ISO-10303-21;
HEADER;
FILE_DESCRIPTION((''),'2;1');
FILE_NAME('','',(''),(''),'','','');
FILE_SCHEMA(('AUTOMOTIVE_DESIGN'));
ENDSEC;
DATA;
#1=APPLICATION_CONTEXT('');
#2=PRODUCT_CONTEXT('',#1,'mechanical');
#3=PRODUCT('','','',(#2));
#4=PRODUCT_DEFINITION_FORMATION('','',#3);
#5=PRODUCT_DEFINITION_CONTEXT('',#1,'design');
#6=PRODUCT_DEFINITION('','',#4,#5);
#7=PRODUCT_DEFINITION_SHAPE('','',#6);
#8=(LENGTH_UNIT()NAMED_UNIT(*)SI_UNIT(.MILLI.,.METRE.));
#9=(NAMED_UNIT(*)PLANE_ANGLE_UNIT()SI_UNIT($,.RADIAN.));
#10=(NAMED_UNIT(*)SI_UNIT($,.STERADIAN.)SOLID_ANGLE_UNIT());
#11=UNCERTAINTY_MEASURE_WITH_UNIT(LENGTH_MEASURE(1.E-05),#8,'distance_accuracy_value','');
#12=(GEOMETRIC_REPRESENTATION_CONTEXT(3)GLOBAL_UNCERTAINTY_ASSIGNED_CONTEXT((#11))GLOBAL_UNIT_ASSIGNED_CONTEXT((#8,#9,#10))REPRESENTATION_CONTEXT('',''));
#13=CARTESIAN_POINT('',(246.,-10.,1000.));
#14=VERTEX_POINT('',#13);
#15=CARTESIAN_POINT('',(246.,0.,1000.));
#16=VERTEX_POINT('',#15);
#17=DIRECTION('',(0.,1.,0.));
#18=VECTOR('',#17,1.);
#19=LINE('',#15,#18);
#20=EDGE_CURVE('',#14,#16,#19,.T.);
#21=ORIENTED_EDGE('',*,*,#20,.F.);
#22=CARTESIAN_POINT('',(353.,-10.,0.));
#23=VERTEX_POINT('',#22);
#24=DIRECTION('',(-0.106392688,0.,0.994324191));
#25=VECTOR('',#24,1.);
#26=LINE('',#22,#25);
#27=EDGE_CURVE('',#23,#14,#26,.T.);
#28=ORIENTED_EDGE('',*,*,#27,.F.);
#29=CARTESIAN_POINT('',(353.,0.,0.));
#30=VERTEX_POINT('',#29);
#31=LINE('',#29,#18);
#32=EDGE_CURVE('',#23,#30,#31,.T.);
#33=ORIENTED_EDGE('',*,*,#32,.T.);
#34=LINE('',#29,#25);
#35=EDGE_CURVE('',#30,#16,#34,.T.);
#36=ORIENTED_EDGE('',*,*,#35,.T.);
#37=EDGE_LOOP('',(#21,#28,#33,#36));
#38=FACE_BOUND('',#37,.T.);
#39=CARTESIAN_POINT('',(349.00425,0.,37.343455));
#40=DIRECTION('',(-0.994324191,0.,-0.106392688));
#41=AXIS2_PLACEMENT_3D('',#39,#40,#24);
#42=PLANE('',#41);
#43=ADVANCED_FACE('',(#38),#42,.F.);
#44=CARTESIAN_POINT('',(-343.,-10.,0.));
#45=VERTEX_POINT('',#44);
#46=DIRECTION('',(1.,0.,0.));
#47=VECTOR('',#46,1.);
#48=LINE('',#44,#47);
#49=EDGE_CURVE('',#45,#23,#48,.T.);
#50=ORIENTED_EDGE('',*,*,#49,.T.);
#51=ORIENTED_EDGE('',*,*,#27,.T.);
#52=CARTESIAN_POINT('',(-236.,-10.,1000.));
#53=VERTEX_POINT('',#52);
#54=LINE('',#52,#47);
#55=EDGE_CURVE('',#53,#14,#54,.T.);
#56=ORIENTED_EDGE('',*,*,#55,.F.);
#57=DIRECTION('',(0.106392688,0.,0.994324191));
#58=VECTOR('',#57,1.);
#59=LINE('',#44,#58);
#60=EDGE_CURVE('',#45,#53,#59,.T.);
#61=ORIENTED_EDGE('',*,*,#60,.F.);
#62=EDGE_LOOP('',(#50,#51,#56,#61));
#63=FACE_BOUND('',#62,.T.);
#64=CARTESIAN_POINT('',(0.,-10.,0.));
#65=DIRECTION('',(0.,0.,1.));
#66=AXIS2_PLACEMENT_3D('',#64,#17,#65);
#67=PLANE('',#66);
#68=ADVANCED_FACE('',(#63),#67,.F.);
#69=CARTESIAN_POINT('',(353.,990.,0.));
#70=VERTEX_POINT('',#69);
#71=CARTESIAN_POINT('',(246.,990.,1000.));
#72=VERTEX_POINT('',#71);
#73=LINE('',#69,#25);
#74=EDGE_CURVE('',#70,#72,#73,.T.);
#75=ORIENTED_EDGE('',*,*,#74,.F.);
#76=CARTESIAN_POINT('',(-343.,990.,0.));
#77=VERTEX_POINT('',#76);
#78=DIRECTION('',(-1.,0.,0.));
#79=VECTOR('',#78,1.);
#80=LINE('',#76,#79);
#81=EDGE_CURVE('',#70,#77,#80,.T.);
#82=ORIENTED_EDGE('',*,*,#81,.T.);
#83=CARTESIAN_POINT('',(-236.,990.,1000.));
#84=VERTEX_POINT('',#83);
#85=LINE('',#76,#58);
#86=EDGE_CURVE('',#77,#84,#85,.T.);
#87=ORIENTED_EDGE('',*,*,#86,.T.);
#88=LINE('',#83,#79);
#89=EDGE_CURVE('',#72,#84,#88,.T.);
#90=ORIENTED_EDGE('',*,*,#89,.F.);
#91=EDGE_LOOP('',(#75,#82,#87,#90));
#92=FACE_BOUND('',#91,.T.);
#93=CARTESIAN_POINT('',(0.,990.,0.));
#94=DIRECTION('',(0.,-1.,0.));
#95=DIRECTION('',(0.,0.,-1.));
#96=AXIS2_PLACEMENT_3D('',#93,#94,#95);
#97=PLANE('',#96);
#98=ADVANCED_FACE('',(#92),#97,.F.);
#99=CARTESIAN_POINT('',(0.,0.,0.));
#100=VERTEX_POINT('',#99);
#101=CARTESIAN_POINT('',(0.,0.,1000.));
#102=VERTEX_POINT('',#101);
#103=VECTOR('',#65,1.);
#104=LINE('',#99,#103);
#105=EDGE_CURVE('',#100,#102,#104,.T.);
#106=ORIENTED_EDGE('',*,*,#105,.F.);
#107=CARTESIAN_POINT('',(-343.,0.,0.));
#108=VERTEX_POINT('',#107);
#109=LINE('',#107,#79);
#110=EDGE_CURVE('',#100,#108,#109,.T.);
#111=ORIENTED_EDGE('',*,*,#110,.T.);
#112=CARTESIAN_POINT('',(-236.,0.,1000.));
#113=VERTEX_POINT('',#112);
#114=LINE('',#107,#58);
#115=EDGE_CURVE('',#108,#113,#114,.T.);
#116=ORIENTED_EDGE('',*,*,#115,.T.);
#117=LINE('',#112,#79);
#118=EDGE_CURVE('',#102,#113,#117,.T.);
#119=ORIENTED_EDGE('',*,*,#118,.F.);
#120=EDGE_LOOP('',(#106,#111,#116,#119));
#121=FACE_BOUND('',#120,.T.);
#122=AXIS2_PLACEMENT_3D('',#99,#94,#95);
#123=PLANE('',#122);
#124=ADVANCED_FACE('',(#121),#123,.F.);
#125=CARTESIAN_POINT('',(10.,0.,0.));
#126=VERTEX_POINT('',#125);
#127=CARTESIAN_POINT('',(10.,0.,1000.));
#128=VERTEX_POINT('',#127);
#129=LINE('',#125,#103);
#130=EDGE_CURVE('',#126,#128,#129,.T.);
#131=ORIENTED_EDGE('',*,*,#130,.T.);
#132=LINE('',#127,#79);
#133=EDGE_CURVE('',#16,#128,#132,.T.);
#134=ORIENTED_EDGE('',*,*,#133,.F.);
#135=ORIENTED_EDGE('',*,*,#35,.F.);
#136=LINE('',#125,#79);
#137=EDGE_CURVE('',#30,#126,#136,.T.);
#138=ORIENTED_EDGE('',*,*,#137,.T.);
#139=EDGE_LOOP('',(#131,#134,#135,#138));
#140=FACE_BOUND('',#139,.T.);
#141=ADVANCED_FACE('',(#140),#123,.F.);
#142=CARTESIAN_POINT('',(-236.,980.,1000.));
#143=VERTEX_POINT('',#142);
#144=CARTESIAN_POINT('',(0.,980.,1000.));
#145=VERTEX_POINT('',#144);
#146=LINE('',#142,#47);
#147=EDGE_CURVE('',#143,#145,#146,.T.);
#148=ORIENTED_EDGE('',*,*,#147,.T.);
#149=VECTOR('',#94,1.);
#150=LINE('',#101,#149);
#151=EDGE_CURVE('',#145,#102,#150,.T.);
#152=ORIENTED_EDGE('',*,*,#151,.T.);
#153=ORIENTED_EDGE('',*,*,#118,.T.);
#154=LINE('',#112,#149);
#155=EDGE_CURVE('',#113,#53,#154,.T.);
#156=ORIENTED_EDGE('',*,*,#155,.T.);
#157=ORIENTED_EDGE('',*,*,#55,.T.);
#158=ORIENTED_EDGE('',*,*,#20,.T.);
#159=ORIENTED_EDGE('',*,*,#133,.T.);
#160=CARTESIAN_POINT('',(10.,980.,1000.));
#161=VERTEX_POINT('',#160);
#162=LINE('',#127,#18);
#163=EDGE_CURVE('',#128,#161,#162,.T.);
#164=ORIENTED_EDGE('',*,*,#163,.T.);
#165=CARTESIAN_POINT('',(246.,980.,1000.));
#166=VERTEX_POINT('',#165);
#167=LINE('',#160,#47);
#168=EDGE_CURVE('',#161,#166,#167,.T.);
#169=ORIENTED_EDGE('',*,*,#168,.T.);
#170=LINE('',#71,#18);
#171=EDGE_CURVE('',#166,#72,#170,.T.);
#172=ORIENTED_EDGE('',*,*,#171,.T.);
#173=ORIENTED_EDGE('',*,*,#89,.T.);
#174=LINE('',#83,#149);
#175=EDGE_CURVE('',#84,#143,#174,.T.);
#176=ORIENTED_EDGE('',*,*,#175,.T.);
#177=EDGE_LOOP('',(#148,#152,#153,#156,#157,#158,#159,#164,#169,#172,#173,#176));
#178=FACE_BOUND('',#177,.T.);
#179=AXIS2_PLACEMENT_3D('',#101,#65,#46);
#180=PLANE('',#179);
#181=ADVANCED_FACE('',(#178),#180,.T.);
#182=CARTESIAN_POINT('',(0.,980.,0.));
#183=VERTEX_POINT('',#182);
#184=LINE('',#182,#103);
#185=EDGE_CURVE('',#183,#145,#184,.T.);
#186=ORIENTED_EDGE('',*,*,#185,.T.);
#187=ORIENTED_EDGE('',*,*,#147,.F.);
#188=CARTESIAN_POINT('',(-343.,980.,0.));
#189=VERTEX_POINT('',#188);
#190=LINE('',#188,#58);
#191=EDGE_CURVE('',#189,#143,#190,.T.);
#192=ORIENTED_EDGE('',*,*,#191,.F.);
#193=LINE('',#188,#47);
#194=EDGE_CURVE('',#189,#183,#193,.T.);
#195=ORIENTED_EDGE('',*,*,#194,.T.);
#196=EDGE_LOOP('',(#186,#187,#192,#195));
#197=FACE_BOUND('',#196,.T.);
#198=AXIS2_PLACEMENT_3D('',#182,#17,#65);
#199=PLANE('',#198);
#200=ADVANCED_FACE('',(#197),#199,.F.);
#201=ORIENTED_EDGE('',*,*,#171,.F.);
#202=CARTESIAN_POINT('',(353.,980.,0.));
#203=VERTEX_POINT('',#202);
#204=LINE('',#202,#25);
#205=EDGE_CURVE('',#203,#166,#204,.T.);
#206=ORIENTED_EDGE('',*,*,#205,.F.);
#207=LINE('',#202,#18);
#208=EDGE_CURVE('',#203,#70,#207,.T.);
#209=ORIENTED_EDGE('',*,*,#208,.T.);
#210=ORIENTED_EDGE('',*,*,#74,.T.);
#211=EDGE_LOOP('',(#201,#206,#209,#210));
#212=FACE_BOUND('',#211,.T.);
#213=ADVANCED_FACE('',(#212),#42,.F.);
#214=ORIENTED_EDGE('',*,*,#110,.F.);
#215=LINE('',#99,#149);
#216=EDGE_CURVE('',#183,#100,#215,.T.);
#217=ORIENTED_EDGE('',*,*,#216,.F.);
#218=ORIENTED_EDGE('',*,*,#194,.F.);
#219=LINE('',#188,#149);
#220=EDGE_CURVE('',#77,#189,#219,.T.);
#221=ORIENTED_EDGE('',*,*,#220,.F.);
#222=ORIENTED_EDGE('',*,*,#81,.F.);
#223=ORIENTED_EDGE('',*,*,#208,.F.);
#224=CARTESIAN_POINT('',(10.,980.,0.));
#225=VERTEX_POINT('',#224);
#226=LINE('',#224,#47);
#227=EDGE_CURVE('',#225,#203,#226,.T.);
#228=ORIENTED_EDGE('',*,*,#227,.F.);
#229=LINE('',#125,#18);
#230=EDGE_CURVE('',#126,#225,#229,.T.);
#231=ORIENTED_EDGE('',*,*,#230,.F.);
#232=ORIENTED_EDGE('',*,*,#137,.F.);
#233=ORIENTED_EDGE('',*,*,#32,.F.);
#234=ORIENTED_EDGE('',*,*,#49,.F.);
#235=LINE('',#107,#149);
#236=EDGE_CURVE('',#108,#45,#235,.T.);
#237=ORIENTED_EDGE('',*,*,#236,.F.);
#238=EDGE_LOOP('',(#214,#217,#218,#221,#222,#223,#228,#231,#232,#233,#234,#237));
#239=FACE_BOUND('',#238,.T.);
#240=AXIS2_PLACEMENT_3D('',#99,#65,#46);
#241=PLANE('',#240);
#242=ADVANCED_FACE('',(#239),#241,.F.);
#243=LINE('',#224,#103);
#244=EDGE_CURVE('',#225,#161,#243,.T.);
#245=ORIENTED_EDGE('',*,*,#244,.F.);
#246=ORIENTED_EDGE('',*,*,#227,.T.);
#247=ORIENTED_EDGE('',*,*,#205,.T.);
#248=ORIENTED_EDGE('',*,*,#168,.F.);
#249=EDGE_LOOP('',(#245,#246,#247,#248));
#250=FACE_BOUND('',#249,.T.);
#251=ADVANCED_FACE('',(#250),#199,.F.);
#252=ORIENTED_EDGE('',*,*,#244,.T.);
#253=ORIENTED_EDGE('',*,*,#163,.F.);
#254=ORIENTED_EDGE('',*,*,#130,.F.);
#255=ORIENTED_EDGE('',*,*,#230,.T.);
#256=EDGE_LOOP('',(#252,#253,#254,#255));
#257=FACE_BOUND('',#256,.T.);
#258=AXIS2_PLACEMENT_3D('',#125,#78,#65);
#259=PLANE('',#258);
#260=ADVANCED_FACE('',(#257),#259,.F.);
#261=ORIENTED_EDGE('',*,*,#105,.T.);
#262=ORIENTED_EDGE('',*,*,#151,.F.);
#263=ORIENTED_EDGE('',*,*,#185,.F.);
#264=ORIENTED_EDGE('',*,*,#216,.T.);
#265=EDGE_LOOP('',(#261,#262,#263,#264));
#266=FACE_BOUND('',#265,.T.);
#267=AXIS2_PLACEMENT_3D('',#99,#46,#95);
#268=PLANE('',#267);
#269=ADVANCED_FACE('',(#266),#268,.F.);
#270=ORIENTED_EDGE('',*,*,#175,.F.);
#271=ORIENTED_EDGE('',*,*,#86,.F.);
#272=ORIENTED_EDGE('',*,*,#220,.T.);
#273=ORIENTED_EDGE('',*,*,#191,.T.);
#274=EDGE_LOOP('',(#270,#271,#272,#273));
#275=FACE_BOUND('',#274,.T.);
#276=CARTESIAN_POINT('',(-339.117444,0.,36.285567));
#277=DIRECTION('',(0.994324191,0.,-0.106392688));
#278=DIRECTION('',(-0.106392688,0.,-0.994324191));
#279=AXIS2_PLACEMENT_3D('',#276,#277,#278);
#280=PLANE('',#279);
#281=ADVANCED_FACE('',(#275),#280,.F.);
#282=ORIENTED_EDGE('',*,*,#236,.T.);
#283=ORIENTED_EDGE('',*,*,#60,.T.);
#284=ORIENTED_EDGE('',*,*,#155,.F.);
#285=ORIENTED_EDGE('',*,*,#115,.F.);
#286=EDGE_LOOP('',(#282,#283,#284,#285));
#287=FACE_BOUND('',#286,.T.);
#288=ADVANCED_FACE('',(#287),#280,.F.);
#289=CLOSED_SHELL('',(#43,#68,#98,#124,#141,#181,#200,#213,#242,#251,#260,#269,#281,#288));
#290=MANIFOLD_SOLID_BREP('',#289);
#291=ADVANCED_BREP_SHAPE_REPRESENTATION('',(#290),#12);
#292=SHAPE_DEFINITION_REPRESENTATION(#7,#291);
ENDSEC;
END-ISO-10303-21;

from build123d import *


with BuildPart() as part:
    # Sketch1 → Loft3 section 0
    with BuildSketch(Plane.XY):
        Polygon((10, 980), (353, 980), (353, 990), (-343, 990), (-343, 980), (0, 980), (0, 0), (-343, 0), (-343, -10), (353, -10), (353, 0), (10, 0), align=None)
    # Sketch4 → Loft3 section 1
    with BuildSketch(Plane.XY.offset(1000)):
        Polygon((0, 0), (0, 980), (-236, 980), (-236, 990), (246, 990), (246, 980), (10, 980), (10, 0), (246, 0), (246, -10), (-236, -10), (-236, 0), align=None)
    loft()


solid = part.part
